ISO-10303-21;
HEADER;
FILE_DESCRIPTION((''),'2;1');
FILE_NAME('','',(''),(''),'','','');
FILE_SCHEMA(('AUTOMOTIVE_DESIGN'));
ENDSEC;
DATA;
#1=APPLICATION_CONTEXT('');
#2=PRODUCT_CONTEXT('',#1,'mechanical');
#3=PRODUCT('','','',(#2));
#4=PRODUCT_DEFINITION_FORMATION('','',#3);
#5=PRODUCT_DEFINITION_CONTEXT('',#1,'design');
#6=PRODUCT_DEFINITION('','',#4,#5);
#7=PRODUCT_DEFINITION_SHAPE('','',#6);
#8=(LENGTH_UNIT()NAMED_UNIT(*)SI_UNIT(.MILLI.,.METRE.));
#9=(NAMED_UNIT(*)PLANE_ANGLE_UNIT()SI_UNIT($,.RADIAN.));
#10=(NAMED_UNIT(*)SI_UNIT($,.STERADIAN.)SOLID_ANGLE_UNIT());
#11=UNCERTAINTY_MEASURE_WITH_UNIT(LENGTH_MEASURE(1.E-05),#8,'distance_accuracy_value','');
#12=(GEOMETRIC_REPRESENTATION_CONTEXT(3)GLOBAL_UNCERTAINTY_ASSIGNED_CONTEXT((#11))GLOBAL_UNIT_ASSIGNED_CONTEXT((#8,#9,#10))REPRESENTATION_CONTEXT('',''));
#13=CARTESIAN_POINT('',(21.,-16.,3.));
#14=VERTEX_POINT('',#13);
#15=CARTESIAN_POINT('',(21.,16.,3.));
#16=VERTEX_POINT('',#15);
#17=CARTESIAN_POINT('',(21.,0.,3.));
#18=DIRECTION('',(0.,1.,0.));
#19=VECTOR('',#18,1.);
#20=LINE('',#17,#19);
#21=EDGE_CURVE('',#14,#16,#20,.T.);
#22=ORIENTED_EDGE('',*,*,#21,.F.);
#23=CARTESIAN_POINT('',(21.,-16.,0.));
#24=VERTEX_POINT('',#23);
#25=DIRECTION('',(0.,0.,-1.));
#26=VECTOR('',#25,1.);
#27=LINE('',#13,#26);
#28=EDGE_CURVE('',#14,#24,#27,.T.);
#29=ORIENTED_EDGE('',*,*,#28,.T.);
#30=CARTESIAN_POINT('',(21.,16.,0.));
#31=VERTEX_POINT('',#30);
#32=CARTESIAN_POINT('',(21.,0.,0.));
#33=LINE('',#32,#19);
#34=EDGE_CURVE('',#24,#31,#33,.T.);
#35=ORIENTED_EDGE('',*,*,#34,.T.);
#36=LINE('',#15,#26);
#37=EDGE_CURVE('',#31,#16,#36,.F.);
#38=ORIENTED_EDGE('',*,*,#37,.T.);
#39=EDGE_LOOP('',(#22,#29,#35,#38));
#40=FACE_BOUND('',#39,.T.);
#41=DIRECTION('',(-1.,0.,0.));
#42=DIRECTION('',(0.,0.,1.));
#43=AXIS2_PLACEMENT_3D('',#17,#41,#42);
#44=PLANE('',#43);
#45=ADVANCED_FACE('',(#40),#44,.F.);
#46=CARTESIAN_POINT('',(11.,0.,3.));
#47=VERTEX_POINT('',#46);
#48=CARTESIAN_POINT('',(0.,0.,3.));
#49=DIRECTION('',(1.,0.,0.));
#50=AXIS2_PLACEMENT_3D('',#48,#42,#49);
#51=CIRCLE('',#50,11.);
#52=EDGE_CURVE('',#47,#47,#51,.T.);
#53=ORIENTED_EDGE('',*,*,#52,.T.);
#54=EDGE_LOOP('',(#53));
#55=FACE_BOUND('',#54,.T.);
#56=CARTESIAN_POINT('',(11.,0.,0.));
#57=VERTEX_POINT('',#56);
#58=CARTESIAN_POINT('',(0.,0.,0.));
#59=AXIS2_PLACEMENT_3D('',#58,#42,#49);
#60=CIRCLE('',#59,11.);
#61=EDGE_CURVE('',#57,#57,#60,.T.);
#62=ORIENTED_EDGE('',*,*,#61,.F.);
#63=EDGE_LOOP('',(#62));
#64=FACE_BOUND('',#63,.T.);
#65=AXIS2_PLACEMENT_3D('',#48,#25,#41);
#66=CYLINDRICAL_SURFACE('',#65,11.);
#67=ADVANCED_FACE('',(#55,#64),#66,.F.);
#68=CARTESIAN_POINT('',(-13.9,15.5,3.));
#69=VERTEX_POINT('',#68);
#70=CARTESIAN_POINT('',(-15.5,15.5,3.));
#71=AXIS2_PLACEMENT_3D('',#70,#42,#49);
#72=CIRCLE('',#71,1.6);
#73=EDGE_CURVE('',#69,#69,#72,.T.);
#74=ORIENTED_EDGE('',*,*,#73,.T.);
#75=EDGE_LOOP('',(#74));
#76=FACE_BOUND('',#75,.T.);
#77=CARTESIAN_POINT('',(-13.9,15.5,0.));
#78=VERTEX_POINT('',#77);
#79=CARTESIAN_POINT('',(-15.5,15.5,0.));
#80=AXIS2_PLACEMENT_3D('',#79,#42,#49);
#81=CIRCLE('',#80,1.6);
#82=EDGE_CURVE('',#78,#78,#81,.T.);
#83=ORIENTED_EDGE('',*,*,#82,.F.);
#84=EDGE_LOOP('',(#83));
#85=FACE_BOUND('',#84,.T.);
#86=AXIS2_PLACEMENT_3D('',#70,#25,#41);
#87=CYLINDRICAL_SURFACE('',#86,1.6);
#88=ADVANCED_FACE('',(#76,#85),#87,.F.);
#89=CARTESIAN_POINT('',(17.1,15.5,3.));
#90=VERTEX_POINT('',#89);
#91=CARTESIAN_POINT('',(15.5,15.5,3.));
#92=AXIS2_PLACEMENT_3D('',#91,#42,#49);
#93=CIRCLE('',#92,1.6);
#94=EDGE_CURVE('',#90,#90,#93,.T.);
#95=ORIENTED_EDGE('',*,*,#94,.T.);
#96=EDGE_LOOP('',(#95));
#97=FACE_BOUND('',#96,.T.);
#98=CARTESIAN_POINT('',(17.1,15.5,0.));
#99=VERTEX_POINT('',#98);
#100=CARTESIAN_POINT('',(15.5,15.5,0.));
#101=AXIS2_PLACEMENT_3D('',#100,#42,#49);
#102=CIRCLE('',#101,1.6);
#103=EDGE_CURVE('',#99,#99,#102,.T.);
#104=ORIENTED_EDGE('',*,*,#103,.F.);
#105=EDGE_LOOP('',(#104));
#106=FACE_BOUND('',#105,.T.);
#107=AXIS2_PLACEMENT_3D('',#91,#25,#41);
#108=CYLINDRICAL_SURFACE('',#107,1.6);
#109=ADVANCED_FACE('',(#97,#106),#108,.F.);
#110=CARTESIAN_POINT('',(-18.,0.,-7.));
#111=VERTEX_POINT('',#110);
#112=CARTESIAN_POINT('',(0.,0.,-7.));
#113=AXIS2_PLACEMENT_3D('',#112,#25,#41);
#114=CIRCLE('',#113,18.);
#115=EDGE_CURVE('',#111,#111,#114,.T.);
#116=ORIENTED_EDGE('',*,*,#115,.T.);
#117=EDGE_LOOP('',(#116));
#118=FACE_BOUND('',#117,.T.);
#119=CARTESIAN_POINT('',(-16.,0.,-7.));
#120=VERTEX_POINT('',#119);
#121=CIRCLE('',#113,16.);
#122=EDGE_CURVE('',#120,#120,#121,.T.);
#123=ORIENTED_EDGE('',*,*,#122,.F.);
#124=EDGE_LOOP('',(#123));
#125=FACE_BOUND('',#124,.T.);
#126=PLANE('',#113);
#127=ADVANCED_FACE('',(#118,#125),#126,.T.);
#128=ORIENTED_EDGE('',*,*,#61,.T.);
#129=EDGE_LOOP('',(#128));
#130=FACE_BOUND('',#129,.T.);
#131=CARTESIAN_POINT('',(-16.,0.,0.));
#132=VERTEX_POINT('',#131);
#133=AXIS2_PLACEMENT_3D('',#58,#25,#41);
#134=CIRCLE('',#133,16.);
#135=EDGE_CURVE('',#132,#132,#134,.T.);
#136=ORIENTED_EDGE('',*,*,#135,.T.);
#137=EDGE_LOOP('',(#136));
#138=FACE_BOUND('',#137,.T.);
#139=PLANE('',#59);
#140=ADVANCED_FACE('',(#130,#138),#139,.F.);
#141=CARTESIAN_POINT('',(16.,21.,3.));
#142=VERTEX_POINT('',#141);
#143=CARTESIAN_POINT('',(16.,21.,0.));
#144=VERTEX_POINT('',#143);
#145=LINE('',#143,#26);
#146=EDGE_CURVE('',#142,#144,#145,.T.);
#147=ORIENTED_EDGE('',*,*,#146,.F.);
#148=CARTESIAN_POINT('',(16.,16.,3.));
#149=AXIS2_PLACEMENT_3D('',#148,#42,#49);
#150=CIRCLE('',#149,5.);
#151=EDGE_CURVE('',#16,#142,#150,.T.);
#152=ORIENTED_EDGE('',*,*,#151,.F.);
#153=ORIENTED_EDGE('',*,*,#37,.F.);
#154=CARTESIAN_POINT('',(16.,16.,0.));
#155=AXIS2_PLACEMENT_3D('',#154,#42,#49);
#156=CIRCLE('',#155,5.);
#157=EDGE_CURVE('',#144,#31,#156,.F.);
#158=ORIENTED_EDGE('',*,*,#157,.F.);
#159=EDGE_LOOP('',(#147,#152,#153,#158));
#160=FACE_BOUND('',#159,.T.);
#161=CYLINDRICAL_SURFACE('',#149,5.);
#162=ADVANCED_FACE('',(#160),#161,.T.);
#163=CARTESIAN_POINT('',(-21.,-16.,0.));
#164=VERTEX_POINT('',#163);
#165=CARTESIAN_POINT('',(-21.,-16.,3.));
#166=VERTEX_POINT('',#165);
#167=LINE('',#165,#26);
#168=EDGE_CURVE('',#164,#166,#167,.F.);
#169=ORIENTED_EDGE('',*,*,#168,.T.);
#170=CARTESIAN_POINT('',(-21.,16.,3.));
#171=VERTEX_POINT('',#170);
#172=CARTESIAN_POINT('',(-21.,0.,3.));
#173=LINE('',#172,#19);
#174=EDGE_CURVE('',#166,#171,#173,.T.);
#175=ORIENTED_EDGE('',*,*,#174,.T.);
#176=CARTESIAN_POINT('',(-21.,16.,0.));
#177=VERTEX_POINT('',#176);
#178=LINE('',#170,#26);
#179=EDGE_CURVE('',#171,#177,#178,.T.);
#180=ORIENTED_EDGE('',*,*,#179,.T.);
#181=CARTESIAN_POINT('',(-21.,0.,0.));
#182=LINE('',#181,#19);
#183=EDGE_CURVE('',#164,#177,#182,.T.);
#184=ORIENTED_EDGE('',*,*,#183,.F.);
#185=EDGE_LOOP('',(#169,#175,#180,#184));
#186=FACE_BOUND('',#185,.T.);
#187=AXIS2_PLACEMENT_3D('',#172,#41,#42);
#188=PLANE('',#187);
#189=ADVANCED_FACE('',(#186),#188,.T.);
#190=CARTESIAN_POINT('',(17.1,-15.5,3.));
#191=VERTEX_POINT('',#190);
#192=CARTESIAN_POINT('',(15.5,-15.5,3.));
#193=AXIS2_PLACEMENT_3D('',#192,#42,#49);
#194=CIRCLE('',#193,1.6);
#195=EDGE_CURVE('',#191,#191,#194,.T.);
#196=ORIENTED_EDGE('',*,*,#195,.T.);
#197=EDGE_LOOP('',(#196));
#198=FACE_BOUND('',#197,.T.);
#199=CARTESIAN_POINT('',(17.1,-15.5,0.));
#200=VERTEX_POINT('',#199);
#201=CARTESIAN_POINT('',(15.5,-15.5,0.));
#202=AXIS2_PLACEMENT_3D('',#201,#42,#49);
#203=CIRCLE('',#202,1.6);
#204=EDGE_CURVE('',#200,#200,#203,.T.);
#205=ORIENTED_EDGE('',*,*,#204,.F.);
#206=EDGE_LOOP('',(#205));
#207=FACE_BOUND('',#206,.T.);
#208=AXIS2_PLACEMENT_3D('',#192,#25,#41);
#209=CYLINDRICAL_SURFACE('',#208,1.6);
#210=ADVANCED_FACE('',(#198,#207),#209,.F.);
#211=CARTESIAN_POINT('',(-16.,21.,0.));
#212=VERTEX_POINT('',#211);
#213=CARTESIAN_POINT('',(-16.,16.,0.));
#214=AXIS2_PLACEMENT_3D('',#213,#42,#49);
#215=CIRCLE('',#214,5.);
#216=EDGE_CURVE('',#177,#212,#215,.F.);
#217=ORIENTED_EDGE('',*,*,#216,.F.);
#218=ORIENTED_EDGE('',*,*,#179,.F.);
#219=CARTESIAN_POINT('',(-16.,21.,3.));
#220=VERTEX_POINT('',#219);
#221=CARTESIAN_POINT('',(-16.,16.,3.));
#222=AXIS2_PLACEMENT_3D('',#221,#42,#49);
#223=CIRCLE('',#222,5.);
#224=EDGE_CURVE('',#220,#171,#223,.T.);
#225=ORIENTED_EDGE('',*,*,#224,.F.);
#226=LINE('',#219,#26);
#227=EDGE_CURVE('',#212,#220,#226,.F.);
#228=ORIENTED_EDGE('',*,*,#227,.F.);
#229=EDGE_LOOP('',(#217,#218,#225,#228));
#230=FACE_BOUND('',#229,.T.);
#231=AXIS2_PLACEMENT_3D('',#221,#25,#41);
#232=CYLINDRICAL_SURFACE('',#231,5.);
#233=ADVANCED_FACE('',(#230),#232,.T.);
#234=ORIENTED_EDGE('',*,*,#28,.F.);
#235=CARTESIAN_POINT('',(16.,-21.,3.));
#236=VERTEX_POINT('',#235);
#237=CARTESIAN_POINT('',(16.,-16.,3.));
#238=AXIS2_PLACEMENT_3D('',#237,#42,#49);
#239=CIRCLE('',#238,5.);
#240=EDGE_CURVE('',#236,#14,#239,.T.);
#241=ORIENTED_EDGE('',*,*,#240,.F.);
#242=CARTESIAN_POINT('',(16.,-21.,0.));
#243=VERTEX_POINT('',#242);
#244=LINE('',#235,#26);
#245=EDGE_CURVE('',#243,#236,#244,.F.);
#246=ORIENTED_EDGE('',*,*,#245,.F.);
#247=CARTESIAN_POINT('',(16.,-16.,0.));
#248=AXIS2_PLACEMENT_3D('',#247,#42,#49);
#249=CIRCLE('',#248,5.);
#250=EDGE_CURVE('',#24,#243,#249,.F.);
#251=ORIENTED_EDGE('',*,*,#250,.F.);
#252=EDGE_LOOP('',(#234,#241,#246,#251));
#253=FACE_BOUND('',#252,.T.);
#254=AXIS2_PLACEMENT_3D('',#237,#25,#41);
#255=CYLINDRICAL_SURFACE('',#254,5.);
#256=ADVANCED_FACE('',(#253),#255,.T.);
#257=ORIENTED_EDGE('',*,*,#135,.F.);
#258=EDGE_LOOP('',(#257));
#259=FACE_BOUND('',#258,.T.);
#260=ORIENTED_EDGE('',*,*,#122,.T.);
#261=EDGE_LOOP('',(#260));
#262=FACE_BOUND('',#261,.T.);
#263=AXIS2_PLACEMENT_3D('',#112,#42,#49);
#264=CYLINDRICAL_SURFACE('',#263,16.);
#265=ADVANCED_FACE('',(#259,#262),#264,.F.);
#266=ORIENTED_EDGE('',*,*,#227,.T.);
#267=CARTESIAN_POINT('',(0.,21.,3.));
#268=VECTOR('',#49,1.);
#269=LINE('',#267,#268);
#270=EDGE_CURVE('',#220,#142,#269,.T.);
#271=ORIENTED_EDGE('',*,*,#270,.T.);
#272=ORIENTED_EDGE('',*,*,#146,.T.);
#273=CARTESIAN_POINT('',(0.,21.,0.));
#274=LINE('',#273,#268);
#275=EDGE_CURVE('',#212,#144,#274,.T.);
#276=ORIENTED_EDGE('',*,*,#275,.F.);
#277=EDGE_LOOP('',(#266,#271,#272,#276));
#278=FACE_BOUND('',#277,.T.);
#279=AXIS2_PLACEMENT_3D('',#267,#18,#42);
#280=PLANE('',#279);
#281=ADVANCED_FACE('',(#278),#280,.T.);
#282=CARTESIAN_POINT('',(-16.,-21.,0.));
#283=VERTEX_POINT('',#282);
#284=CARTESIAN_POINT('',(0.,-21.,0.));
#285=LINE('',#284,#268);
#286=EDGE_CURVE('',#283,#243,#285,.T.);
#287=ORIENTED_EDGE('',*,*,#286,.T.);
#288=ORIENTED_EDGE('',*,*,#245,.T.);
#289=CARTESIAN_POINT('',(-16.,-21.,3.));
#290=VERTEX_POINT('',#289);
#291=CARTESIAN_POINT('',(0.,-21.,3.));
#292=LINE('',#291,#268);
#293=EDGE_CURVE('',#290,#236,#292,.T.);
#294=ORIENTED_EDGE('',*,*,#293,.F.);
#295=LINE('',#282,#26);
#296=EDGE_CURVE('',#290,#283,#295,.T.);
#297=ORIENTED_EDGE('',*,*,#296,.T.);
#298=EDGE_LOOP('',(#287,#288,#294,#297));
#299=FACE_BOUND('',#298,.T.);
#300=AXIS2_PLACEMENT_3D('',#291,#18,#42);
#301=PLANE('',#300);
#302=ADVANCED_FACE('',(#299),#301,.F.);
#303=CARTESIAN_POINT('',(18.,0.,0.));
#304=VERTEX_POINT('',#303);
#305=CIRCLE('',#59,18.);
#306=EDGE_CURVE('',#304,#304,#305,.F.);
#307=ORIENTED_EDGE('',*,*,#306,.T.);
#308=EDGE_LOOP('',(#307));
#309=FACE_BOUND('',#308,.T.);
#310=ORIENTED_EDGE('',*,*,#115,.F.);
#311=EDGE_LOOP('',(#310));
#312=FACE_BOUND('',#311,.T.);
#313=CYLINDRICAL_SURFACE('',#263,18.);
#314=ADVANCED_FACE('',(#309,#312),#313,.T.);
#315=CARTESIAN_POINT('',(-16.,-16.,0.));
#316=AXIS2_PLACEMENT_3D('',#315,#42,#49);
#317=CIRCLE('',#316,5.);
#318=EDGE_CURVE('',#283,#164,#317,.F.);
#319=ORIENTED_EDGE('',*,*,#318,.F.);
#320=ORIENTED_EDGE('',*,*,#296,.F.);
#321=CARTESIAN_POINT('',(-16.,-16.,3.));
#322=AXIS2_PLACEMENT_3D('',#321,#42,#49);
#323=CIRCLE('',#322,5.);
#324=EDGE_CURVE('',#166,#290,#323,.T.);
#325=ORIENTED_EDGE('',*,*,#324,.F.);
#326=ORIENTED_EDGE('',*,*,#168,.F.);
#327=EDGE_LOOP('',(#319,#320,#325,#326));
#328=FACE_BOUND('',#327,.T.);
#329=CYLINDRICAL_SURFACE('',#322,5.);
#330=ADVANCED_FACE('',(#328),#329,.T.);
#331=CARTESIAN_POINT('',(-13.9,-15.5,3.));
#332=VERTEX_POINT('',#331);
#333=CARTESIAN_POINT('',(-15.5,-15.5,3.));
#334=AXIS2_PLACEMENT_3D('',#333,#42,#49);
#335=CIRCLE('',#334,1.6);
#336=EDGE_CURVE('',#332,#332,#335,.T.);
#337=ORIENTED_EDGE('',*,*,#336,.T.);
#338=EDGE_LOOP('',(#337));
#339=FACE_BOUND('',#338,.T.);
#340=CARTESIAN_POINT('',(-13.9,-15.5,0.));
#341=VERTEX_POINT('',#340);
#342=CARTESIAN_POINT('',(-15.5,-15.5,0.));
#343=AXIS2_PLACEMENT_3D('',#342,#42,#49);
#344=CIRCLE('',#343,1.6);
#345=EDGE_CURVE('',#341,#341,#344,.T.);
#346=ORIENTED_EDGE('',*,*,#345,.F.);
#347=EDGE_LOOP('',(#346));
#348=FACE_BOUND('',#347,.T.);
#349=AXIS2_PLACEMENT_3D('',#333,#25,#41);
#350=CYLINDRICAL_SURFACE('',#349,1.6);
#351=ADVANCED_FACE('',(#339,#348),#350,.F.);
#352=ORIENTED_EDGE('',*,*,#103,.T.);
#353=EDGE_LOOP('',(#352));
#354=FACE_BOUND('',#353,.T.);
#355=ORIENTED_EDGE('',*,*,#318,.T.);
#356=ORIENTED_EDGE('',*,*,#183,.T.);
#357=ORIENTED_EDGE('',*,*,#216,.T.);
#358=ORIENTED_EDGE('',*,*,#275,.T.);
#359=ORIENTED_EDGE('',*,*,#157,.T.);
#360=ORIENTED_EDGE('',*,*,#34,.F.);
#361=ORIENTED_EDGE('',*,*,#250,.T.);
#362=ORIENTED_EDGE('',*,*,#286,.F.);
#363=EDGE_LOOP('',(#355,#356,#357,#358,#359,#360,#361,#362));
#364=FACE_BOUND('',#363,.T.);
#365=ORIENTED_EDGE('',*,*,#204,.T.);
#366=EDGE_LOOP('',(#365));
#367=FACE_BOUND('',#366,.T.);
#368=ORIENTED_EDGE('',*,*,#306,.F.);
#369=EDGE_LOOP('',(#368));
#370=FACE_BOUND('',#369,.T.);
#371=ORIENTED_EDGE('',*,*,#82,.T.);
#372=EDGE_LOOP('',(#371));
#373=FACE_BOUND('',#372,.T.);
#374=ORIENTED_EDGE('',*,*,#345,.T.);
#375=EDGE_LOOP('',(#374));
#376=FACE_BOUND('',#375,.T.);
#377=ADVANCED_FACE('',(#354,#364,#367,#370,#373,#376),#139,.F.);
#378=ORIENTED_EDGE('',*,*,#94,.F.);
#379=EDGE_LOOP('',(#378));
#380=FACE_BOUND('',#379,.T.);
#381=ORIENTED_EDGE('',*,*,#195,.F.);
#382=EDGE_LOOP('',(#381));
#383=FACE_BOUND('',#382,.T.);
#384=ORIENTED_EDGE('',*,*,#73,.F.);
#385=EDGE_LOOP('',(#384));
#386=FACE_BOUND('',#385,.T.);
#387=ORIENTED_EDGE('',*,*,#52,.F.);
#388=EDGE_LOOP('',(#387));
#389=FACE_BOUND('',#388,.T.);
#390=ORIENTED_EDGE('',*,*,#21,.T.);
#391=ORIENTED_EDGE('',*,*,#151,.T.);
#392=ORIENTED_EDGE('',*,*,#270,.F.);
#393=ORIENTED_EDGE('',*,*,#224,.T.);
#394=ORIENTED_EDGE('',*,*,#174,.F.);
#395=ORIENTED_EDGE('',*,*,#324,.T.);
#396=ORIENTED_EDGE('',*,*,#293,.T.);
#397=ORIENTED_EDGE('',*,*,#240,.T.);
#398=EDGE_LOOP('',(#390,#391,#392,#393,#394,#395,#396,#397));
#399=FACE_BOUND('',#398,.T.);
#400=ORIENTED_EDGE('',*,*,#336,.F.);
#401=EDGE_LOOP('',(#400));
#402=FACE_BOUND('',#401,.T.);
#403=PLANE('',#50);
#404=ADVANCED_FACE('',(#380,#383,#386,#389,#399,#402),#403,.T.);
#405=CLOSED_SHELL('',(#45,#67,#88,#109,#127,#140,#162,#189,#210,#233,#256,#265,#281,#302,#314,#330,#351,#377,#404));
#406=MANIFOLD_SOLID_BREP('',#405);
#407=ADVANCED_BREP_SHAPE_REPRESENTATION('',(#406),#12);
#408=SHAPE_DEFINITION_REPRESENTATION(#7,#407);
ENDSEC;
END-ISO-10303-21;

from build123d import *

# Parameters (mm, degrees)
SKETCH_1_W      = 42
SKETCH_1_H      = 42
SKETCH_1_R      = 1.6
SKETCH_1_R_2    = 11
EXTRUDE_1_DEPTH = 3
FILLET_1_R      = 5
SKETCH_2_R      = 18
SKETCH_2_R_2    = 16
EXTRUDE_2_DEPTH = 7


with BuildPart() as part:
    # 草图1 → 凸台-拉伸1 (new body)
    with BuildSketch(Plane.XY):
        Rectangle(SKETCH_1_W, SKETCH_1_H)
        with Locations((-15.5, 15.5)):
            Circle(SKETCH_1_R, mode=Mode.SUBTRACT)
        with Locations((15.5, 15.5)):
            Circle(SKETCH_1_R, mode=Mode.SUBTRACT)
        with Locations((15.5, -15.5)):
            Circle(SKETCH_1_R, mode=Mode.SUBTRACT)
        with Locations((-15.5, -15.5)):
            Circle(SKETCH_1_R, mode=Mode.SUBTRACT)
        Circle(SKETCH_1_R_2, mode=Mode.SUBTRACT)
    extrude(amount=EXTRUDE_1_DEPTH)

    # 圆角1
    fillet_1_edges = [part.edges().sort_by_distance(p)[0] for p in [
        (-21, -21, 1.5),
        (-21, 21, 1.5),
        (21, 21, 1.5),
        (21, -21, 1.5),
    ]]
    fillet(fillet_1_edges, radius=FILLET_1_R)

    # 草图2 → 凸台-拉伸2 (add)
    with BuildSketch(Plane(origin=(0, 0, 0), x_dir=(-1, 0, 0), z_dir=(0, 0, -1))):
        with Locations(Location((0, 0, 0), (0, 0, 180))):
            Circle(SKETCH_2_R)
        Circle(SKETCH_2_R_2, mode=Mode.SUBTRACT)
    extrude(amount=EXTRUDE_2_DEPTH)


solid = part.part
